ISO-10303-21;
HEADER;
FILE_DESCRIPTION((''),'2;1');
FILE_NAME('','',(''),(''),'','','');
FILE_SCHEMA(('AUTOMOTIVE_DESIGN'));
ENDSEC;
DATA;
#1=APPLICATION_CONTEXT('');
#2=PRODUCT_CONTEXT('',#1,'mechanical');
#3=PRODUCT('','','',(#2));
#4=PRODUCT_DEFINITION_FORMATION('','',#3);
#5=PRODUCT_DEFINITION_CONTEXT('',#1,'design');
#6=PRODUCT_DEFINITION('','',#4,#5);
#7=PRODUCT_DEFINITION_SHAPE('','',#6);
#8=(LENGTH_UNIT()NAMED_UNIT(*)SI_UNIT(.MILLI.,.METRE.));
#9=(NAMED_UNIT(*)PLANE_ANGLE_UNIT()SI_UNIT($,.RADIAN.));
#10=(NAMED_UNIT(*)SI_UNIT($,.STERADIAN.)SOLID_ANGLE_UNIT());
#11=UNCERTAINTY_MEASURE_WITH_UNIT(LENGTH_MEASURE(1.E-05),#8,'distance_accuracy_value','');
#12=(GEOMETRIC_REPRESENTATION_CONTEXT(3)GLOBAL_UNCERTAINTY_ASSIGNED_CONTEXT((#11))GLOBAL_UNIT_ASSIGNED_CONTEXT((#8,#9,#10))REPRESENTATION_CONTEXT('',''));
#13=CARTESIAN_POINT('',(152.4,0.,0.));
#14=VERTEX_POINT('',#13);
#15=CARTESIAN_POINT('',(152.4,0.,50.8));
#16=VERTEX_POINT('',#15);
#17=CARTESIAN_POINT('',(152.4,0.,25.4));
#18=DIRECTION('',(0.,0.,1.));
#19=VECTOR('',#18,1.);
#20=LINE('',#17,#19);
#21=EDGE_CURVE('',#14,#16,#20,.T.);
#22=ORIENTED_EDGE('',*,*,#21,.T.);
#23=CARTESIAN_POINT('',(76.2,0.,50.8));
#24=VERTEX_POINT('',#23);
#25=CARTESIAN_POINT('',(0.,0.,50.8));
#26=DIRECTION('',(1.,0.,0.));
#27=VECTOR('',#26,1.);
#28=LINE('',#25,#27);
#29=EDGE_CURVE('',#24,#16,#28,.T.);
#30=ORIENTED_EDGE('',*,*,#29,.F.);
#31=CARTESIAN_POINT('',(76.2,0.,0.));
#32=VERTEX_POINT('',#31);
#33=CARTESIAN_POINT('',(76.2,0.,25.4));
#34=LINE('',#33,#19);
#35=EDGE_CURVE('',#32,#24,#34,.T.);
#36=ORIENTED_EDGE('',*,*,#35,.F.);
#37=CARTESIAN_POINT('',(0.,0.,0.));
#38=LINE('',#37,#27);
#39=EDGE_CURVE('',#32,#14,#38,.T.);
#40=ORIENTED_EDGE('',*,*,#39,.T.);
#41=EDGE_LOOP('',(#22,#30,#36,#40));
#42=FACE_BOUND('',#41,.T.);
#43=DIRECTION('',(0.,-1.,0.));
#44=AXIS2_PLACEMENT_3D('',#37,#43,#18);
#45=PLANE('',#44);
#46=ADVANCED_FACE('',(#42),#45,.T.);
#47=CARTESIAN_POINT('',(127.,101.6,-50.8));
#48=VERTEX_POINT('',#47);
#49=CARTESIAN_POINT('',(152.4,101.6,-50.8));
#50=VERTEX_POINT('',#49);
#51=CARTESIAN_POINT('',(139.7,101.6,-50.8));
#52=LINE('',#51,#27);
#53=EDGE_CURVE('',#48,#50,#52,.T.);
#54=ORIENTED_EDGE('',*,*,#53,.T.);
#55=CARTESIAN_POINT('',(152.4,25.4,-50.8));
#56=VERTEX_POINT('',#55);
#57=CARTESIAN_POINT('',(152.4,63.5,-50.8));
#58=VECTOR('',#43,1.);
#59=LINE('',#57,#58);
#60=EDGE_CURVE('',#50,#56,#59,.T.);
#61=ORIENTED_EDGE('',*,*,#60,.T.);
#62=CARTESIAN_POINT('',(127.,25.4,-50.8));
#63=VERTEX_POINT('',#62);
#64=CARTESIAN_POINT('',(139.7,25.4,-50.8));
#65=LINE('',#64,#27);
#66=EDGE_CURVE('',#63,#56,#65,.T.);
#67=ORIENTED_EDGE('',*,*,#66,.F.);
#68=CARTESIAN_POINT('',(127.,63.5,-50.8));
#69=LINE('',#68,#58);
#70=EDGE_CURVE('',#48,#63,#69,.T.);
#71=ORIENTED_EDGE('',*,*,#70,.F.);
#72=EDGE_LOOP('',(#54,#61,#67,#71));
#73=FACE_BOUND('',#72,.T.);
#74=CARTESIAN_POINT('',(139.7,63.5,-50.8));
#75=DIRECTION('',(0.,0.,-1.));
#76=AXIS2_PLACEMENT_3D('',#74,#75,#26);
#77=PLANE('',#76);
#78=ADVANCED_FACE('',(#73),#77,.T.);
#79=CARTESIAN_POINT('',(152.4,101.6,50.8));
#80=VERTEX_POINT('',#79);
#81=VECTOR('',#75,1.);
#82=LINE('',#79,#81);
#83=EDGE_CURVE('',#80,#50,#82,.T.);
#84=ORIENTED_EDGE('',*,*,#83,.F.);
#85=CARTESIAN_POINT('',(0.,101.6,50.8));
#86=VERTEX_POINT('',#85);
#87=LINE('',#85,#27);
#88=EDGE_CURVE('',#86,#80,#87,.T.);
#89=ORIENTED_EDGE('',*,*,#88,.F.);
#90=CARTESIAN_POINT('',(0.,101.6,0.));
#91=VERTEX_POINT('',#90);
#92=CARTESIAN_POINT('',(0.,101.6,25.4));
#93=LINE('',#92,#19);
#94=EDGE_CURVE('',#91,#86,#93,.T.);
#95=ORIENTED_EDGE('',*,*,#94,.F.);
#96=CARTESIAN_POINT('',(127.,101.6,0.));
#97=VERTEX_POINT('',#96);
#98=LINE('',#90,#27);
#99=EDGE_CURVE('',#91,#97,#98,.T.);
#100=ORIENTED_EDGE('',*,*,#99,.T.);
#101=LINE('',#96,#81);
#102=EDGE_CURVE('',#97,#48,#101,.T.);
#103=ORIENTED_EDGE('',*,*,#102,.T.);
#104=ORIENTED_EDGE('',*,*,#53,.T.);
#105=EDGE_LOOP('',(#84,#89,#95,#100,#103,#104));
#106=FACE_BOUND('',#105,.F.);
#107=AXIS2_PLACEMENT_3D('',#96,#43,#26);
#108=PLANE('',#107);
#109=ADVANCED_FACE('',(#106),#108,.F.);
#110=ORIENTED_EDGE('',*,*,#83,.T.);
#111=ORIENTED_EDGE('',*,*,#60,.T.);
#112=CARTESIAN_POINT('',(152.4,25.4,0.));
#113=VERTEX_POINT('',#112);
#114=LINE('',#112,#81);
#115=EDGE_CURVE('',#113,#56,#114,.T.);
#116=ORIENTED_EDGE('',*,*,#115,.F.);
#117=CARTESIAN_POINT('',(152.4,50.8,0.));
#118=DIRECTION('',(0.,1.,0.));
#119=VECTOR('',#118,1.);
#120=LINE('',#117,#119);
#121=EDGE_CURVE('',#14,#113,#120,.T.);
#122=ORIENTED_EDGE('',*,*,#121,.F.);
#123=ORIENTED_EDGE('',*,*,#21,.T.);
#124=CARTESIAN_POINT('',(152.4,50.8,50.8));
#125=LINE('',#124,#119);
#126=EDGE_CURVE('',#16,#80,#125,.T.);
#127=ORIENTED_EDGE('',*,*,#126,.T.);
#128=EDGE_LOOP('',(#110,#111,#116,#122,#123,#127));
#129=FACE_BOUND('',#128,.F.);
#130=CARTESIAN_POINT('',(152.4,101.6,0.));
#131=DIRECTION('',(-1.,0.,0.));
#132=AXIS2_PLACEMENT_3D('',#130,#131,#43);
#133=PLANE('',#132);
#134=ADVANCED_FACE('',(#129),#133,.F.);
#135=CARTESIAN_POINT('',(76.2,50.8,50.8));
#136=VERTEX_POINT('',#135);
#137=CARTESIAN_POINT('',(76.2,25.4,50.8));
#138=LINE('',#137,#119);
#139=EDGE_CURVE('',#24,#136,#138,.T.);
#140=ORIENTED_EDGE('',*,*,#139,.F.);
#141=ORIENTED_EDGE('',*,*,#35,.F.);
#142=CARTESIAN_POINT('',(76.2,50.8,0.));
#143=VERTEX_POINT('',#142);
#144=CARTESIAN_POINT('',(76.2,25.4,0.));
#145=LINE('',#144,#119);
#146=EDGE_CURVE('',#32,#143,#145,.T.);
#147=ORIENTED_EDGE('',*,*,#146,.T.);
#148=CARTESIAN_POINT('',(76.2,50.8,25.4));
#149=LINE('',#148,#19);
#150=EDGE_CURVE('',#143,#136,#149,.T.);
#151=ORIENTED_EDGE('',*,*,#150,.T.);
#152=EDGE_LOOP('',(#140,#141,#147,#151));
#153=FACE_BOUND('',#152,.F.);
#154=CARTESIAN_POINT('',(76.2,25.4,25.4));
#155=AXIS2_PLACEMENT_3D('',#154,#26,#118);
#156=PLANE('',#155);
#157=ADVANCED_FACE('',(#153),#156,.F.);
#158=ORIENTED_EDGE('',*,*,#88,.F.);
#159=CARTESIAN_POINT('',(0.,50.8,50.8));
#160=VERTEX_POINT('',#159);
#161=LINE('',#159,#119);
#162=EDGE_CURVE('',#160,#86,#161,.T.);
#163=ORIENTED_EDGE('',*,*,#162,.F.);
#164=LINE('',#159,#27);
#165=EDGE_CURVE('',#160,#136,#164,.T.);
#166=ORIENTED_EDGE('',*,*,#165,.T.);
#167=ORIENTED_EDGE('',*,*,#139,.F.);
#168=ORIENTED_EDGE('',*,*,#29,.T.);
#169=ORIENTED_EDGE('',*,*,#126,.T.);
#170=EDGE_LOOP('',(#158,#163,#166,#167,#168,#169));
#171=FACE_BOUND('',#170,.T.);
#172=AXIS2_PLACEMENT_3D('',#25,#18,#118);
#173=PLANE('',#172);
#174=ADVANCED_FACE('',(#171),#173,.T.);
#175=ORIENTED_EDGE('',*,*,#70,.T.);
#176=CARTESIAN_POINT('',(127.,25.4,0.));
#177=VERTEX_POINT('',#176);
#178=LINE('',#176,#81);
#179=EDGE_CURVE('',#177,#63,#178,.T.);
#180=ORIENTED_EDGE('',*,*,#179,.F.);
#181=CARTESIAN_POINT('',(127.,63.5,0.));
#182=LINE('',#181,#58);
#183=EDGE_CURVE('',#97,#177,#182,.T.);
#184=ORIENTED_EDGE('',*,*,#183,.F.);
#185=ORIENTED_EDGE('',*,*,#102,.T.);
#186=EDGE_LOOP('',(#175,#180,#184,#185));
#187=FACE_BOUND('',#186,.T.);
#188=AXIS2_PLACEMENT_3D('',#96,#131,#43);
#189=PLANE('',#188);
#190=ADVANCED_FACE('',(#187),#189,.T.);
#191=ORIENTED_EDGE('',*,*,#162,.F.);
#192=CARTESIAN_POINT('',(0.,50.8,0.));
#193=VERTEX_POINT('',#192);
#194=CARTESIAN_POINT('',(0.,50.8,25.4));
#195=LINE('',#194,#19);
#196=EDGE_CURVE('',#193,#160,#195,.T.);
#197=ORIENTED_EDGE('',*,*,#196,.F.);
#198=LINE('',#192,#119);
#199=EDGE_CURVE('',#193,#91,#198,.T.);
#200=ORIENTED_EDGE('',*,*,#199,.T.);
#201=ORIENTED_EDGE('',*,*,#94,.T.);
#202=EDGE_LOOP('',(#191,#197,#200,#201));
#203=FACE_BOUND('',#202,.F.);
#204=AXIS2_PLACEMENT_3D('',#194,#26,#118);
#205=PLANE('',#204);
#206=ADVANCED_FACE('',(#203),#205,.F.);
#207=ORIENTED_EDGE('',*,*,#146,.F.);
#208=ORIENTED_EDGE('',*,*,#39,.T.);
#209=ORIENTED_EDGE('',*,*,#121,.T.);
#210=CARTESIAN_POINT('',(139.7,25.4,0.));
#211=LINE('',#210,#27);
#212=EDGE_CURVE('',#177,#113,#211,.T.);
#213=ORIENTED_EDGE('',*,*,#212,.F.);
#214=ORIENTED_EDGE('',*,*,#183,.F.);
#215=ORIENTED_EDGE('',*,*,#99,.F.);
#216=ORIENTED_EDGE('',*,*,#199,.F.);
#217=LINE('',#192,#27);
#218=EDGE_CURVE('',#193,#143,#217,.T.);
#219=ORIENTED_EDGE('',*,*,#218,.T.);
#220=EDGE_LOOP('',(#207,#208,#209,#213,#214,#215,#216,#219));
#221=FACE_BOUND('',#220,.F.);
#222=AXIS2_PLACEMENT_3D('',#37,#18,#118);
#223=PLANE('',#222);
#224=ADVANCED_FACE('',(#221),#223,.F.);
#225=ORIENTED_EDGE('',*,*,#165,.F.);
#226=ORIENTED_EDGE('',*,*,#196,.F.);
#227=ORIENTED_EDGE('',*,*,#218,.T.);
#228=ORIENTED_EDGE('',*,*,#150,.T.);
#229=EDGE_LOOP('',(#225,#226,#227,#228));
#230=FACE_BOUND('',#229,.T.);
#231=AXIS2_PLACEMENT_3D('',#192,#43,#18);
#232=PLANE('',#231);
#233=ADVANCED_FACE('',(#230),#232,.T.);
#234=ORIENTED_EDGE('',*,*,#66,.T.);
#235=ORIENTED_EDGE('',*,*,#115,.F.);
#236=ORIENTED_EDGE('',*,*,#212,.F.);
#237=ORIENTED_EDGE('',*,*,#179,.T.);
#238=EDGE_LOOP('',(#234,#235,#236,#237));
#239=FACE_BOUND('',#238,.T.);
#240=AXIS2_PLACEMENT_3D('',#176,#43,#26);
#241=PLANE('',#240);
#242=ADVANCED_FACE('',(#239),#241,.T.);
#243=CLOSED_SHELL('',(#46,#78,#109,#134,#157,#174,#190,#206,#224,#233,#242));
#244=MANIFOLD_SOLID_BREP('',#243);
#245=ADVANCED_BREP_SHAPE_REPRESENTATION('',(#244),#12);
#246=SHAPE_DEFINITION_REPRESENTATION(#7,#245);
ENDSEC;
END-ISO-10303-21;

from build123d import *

# Parameters (mm, degrees)
F0_W     = 101.6
F0_H     = 50.8
F1_DEPTH = 152.4
F2_W     = 50.8
F2_H     = 50.8
F3_DEPTH = 76.2
F4_W     = 25.4
F4_H     = 76.2
F5_DEPTH = 50.8


with BuildPart() as f1:
    # F0 (on Right) → F1 (new body)
    with BuildSketch(Plane.YZ):
        with Locations((50.8, 25.4)):
            Rectangle(F0_W, F0_H)
    extrude(amount=F1_DEPTH)

    # F2 (on Right) → F3 (cut)
    with BuildSketch(Plane.YZ):
        with Locations((25.4, 25.4)):
            Rectangle(F2_W, F2_H)
    extrude(amount=F3_DEPTH, mode=Mode.SUBTRACT)

    # F4 (on face) → F5 (join)
    with BuildSketch(Plane(origin=(0, 0, 0), x_dir=(1, 0, 0), z_dir=(0, 0, -1))):
        with Locations((139.7, -63.5)):
            Rectangle(F4_W, F4_H)
    extrude(amount=F5_DEPTH)


solid = f1.part
